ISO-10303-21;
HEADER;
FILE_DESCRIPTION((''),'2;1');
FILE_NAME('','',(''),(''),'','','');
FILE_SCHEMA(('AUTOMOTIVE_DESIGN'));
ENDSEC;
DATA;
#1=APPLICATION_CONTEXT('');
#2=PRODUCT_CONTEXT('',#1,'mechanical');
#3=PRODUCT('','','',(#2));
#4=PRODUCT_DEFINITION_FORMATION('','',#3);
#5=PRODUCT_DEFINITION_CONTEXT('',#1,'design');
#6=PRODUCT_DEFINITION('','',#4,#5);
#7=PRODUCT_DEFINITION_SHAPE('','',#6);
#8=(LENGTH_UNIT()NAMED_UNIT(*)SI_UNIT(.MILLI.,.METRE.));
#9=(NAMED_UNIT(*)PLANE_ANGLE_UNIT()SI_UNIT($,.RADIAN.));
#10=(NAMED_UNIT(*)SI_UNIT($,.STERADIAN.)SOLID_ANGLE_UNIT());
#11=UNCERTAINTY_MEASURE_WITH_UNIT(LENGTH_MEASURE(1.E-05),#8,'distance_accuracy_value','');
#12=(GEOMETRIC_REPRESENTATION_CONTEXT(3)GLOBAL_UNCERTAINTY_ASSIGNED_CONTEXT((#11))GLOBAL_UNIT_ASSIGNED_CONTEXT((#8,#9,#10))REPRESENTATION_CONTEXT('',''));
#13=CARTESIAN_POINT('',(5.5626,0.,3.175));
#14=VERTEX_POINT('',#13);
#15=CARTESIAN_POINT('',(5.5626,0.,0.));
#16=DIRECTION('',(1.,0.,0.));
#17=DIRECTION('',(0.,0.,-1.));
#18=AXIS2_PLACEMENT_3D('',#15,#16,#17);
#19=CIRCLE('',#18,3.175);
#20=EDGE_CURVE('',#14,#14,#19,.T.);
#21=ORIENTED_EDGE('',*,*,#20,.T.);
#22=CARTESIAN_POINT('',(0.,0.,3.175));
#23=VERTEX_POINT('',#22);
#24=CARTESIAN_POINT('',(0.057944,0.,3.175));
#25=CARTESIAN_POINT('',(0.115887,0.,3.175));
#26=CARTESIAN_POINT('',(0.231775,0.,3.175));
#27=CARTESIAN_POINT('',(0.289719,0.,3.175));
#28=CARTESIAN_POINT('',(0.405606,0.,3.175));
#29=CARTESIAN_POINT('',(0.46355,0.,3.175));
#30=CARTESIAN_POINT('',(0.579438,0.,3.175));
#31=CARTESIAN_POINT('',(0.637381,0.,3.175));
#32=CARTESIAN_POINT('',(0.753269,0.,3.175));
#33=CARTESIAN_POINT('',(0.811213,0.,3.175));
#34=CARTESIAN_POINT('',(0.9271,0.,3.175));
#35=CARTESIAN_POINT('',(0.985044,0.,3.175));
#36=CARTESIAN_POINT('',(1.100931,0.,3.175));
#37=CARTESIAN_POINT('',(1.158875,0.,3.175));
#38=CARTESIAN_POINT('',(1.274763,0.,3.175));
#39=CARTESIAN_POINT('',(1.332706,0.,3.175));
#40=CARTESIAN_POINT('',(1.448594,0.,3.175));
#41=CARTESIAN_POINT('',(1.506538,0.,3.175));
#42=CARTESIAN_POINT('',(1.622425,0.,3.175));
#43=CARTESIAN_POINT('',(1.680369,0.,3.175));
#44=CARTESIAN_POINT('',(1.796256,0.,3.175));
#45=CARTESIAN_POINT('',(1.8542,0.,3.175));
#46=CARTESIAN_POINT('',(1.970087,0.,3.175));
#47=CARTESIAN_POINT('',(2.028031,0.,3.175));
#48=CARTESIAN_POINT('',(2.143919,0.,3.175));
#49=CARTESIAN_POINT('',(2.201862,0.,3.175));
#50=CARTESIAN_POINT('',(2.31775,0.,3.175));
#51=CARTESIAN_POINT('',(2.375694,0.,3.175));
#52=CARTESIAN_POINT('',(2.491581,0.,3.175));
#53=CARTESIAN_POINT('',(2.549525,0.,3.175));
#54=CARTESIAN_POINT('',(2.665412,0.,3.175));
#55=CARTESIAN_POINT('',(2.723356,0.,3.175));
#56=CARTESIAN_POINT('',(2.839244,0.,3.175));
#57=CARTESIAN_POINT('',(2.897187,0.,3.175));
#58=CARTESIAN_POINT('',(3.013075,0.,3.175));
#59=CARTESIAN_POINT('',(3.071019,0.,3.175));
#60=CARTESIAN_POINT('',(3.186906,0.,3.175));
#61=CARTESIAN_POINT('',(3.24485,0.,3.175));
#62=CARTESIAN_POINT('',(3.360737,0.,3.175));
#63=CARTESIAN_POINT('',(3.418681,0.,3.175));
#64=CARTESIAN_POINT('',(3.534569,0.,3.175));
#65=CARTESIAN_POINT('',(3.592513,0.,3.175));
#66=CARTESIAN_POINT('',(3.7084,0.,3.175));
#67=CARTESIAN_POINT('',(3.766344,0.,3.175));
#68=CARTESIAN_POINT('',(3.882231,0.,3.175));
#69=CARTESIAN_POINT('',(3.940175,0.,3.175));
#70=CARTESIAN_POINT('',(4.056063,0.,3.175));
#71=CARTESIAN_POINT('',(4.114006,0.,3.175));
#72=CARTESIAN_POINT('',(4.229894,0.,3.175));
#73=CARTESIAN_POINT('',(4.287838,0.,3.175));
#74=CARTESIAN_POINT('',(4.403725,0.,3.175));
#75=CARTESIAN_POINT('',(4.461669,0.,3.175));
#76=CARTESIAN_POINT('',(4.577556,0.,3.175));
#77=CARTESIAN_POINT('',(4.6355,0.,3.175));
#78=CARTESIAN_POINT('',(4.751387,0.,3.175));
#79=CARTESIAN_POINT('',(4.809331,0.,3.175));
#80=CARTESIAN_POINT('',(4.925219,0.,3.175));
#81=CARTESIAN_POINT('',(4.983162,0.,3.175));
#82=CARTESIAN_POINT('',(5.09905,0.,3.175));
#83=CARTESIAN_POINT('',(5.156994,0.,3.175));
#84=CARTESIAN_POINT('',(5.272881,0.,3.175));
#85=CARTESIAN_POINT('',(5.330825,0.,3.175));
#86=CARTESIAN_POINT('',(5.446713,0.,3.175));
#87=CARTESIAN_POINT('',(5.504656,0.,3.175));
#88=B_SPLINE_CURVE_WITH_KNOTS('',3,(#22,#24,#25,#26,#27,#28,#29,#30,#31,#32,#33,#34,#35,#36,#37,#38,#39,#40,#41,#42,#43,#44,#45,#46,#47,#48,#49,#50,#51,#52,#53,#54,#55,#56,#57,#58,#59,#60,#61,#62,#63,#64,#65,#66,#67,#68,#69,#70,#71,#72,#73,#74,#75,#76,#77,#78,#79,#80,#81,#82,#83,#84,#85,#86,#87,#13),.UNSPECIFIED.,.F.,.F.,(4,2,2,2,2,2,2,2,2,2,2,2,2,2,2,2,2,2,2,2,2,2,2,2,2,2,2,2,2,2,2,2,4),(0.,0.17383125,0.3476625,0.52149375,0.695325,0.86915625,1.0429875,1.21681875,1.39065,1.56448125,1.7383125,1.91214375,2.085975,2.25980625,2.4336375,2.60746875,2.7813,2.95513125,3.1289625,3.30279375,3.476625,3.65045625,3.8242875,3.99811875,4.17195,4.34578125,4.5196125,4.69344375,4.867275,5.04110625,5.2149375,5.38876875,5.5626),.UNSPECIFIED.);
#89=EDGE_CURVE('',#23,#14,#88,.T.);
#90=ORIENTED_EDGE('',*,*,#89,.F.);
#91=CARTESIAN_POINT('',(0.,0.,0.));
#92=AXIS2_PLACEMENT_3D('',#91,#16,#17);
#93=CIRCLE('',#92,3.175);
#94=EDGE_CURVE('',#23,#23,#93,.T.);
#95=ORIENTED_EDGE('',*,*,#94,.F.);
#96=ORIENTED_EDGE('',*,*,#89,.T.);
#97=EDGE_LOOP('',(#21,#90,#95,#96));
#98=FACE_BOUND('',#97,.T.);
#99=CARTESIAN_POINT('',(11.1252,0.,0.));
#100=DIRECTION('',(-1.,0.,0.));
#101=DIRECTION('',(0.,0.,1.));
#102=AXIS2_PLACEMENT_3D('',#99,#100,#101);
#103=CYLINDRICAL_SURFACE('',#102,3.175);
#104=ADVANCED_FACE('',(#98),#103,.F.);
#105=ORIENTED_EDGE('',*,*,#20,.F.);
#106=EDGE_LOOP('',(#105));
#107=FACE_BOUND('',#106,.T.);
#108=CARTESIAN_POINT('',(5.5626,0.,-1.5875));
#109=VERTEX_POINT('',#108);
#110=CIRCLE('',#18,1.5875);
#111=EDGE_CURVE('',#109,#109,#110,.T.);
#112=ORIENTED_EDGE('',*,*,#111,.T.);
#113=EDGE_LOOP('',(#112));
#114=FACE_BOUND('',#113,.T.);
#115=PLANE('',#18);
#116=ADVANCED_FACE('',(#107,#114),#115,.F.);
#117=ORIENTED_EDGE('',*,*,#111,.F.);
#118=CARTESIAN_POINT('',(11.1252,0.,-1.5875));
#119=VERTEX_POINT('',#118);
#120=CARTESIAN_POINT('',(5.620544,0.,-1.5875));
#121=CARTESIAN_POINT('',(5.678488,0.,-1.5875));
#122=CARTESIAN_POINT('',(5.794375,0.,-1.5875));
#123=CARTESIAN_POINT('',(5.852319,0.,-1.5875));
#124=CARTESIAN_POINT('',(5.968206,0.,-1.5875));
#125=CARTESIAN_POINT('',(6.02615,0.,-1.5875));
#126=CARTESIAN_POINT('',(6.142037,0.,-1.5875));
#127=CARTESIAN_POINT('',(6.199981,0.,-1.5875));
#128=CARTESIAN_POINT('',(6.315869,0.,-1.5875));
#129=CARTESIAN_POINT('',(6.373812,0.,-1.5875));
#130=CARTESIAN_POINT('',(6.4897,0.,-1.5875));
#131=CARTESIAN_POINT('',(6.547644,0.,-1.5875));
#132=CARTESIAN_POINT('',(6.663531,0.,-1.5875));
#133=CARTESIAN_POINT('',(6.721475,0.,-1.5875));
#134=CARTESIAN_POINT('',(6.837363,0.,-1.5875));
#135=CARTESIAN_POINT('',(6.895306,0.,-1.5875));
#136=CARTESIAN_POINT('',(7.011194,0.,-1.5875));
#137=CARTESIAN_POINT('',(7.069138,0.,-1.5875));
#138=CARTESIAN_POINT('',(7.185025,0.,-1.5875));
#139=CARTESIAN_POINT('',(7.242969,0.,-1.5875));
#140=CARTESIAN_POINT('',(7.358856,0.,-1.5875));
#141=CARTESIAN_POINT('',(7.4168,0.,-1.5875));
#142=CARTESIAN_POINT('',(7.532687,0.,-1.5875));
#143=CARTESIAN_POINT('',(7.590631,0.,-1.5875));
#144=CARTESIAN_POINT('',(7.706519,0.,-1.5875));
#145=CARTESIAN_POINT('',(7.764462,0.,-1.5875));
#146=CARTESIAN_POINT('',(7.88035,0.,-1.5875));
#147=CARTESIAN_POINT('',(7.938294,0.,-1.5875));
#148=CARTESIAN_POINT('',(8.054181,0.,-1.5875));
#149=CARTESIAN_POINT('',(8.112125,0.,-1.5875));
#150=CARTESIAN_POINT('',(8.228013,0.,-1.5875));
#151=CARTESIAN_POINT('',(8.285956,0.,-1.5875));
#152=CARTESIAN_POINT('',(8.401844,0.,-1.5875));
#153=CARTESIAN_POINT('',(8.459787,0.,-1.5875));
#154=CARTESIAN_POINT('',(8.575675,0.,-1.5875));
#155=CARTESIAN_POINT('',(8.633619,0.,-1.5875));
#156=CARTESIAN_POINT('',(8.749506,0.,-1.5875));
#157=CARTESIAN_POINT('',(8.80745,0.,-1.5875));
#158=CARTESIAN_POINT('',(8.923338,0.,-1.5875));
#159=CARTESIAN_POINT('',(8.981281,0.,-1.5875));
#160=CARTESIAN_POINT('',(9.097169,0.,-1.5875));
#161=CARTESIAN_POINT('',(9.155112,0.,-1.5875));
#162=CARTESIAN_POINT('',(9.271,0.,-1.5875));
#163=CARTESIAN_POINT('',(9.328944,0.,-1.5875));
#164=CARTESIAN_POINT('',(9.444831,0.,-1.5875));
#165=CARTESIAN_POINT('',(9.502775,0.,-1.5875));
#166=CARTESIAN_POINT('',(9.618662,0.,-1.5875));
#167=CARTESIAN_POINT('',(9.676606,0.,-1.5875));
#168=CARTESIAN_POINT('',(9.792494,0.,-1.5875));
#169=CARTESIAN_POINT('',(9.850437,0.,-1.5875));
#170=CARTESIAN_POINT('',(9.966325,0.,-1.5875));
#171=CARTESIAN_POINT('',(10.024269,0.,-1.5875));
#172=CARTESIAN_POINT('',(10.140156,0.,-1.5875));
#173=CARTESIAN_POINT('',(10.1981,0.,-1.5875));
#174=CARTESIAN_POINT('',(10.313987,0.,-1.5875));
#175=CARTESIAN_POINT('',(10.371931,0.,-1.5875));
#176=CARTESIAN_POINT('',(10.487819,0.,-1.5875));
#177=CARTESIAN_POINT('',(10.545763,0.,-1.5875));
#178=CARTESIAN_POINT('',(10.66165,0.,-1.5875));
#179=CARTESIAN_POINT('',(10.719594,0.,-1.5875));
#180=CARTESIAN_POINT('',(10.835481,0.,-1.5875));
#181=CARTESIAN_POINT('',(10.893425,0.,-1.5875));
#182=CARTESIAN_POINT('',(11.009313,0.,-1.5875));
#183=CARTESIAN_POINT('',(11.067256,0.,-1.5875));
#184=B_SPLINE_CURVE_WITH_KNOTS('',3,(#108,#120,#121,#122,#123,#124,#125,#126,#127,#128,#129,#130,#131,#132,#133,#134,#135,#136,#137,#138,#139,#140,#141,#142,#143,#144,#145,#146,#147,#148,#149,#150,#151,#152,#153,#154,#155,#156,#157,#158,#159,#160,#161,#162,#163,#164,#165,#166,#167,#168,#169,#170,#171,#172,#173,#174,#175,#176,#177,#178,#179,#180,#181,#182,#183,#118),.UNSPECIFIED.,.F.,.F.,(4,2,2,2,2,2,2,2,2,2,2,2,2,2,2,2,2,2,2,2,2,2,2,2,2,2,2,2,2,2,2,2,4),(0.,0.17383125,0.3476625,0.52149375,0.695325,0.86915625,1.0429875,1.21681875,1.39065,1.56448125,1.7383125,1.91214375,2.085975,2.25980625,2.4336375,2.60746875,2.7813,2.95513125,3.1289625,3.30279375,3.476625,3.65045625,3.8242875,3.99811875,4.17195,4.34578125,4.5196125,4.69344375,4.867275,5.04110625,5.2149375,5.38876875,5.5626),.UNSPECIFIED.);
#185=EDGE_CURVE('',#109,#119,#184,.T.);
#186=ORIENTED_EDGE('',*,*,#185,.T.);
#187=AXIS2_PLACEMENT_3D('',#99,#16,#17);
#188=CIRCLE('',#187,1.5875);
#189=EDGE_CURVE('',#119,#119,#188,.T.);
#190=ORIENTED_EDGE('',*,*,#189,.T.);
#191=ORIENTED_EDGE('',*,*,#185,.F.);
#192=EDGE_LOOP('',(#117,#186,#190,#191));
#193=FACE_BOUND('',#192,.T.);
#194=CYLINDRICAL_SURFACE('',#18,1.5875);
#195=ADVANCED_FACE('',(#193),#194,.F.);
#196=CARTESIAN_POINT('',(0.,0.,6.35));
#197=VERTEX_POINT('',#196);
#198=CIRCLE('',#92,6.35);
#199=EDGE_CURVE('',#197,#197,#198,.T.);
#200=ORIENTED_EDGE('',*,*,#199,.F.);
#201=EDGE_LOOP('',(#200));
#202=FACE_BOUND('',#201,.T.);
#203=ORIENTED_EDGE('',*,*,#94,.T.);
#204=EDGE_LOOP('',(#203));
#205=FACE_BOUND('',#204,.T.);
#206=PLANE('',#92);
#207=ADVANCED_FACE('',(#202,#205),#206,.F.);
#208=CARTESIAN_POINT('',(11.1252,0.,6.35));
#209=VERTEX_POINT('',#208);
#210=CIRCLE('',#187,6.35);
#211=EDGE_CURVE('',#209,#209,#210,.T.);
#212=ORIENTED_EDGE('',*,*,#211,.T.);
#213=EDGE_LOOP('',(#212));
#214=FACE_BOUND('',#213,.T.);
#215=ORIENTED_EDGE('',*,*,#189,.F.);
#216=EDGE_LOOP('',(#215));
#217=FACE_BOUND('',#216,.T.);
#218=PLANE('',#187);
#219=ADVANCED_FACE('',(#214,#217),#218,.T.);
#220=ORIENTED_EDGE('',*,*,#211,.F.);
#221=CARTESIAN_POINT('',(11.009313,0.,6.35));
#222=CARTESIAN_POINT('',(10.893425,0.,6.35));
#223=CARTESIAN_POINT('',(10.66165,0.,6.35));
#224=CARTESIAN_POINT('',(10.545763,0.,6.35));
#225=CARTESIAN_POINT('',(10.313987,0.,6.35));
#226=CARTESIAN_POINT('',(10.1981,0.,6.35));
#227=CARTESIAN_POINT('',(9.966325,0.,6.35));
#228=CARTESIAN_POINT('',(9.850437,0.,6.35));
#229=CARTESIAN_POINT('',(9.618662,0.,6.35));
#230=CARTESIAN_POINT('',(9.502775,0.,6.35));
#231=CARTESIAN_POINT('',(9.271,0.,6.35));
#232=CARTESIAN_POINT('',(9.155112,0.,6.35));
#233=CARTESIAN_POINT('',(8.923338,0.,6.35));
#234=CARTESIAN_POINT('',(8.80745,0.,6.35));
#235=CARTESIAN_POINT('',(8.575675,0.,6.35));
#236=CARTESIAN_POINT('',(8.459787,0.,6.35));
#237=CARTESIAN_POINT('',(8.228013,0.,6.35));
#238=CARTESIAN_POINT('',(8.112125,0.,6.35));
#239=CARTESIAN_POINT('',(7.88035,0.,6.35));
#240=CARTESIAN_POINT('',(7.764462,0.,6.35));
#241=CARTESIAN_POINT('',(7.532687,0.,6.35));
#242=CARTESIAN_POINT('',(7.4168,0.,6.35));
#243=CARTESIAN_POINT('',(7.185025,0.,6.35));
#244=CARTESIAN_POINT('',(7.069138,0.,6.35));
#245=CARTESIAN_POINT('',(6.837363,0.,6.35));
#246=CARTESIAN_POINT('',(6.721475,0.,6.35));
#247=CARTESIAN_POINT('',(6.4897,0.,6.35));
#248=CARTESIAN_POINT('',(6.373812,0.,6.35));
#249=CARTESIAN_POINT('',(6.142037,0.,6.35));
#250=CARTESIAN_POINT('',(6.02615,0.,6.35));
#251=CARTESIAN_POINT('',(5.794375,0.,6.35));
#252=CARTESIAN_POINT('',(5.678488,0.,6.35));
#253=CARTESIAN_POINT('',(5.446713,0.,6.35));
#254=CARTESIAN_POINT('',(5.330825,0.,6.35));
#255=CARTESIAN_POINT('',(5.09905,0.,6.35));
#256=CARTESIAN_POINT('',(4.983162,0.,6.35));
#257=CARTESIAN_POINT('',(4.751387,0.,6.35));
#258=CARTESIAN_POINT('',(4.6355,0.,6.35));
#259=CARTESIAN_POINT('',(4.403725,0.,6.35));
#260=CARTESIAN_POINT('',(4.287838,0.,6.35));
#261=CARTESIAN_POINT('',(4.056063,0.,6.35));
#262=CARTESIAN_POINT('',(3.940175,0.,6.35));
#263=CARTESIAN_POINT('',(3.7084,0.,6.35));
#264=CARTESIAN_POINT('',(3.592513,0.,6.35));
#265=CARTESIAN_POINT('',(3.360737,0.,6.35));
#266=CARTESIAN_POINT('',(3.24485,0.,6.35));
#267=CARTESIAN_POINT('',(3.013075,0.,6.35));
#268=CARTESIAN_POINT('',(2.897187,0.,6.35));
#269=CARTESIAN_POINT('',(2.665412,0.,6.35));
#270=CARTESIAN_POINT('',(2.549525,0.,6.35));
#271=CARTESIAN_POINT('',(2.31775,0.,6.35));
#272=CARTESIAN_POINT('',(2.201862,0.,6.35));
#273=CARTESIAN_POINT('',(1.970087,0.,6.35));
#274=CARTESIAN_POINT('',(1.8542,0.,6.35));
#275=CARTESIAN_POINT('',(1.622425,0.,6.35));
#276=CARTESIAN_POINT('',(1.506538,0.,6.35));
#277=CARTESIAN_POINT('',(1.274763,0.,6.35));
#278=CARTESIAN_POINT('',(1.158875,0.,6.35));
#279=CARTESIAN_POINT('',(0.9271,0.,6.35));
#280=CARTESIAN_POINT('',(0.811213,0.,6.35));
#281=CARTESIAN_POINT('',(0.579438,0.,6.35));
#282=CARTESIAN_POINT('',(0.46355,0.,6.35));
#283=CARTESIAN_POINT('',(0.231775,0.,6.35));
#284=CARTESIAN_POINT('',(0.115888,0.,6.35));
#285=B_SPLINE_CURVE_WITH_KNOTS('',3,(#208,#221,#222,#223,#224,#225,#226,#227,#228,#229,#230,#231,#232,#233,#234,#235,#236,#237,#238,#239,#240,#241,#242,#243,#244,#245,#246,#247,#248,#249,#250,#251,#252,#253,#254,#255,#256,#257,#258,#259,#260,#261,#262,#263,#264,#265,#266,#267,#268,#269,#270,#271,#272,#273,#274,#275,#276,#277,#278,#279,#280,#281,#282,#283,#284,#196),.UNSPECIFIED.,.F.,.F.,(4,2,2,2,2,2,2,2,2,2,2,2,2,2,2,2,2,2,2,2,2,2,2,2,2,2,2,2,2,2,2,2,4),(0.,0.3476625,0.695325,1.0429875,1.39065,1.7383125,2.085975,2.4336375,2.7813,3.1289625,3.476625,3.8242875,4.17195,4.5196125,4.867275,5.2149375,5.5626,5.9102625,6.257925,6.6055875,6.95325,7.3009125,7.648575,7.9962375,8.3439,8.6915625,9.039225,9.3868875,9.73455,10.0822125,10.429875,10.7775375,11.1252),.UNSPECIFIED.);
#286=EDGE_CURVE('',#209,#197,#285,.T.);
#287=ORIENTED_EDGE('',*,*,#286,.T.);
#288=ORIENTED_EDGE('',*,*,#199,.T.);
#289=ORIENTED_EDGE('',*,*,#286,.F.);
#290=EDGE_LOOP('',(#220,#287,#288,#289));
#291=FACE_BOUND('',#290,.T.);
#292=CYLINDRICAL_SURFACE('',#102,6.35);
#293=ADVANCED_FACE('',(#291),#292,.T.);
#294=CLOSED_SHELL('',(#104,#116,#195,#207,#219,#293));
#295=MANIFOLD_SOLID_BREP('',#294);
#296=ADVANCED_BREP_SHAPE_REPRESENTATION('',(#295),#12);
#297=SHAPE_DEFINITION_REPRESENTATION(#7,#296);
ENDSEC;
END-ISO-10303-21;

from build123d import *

# Parameters (mm, degrees)
SKETCH1_R           = 6.35
SKETCH1_R_2         = 3.175
BOSS_EXTRUDE1_DEPTH = 11.1252
BOSS_EXTRUDE2_START = -5.5626
SKETCH2_R           = 3.175
SKETCH2_R_2         = 1.5875
BOSS_EXTRUDE2_DEPTH = 5.5626


with BuildPart() as part:
    # Sketch1 → Boss-Extrude1 (new body)
    with BuildSketch(Plane(origin=(0, 0, 0), x_dir=(0, 0, -1), z_dir=(1, 0, 0))):
        with Locations(Location((0, 0, 0), (0, 0, 180))):
            Circle(SKETCH1_R)
        with Locations(Location((0, 0, 0), (0, 0, 180))):
            Circle(SKETCH1_R_2, mode=Mode.SUBTRACT)
    extrude(amount=BOSS_EXTRUDE1_DEPTH)

    # Sketch2 → Boss-Extrude2 (add)
    with BuildSketch(Plane(origin=(11.1252, 0, 0), x_dir=(0, 0, -1), z_dir=(1, 0, 0)).offset(BOSS_EXTRUDE2_START)):
        with Locations(Location((0, 0, 0), (0, 0, 180))):
            Circle(SKETCH2_R)
        Circle(SKETCH2_R_2, mode=Mode.SUBTRACT)
    extrude(amount=BOSS_EXTRUDE2_DEPTH)


solid = part.part
